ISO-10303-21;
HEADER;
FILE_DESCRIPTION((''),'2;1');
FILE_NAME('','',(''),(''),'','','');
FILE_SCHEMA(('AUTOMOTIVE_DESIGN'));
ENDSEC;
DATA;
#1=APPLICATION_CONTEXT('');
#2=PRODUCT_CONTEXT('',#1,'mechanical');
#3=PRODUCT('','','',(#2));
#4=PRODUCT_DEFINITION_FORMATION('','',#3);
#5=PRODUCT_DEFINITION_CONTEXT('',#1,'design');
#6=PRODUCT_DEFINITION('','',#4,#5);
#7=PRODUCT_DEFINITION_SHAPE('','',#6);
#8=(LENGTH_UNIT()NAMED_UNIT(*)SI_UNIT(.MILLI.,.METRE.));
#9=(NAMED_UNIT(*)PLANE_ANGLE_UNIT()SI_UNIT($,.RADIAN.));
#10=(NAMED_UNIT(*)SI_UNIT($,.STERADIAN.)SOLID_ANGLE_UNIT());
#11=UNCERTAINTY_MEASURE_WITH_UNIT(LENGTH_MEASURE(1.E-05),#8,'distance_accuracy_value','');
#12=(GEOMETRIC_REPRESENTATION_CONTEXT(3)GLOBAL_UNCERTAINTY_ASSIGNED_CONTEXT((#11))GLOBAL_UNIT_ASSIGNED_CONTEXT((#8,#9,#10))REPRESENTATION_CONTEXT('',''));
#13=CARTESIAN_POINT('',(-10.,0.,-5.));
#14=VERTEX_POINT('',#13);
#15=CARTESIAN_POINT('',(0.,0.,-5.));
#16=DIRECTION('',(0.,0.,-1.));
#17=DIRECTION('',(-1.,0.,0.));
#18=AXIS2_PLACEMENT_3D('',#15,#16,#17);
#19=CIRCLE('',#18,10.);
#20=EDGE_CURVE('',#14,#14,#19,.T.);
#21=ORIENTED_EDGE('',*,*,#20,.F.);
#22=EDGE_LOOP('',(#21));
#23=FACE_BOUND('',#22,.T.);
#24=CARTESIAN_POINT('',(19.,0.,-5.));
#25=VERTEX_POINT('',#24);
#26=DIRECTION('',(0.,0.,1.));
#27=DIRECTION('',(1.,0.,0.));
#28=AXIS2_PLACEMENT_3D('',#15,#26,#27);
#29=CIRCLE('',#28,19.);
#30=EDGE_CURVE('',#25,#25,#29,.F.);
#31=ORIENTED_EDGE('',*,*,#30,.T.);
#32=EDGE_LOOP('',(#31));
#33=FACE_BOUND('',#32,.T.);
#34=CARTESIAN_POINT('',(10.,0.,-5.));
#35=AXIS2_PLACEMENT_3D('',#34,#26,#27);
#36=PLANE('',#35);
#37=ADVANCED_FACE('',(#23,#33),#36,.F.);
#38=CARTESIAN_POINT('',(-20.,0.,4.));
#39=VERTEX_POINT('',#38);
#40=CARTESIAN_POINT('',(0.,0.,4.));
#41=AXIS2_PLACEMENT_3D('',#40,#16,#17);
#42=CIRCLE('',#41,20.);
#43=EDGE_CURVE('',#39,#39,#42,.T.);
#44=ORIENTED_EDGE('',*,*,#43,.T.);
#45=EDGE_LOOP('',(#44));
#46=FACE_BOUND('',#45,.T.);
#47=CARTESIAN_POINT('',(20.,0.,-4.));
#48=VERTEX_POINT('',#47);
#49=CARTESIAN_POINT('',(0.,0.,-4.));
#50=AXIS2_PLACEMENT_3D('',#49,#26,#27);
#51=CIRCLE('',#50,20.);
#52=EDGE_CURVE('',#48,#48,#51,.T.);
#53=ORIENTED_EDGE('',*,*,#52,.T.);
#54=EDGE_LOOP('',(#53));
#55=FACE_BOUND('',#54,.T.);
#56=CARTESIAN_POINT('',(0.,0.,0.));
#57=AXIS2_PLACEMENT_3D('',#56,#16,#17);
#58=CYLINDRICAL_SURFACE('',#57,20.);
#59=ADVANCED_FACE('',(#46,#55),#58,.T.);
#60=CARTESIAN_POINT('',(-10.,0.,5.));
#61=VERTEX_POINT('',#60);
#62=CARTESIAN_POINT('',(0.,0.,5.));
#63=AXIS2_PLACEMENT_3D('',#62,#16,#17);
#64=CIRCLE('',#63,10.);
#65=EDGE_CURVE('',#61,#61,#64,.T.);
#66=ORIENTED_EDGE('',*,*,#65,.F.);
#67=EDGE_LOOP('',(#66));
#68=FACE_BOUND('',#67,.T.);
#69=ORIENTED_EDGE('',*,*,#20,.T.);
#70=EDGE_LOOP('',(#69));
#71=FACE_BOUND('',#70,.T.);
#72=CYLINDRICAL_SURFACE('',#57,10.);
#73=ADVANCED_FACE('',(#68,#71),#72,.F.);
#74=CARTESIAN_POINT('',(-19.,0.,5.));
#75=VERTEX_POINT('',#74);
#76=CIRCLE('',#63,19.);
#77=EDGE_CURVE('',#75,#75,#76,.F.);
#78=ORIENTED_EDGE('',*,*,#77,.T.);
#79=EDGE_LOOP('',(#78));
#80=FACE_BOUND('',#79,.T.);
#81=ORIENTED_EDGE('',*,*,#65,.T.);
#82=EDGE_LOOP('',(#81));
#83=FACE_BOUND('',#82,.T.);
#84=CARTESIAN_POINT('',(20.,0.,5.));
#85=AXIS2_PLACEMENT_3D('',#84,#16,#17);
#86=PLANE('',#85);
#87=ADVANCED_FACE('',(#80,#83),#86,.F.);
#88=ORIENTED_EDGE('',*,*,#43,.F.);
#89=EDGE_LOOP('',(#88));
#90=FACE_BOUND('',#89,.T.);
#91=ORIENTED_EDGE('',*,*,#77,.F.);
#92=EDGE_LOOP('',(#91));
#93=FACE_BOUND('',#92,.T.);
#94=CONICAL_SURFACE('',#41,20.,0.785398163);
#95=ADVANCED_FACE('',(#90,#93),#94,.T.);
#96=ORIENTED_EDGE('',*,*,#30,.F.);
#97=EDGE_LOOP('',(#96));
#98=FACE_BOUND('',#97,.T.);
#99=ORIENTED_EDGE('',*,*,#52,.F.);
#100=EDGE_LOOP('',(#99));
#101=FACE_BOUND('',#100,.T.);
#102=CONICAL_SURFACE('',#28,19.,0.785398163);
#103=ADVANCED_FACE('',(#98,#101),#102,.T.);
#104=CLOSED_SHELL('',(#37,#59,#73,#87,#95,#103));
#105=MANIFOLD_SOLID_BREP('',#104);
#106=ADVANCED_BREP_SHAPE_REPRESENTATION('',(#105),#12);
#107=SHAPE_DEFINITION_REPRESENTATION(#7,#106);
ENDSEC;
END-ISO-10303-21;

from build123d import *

# Parameters (mm, degrees)
SKETCH_1_W     = 10
SKETCH_1_H     = 10
CHAMFER_1_SIZE = 1


with BuildPart() as part:
    # 草图1 → 旋转1 (revolve)
    with BuildSketch(Plane(origin=(0, 0, 0), x_dir=(1, 0, 0), z_dir=(0, 1, 0)), mode=Mode.PRIVATE) as revolve_1_sk:
        with Locations((15, 0)):
            Rectangle(SKETCH_1_W, SKETCH_1_H)
    revolve(revolve_1_sk.sketch.rotate(Axis((0, 0, 0), (0, 0, 1)), 180), axis=Axis((0, 0, 0), (0, 0, 1)))

    # 倒角1
    chamfer_1_edges = [part.edges().sort_by_distance(p)[0] for p in [
        (20, 0, 5),
        (20, 0, -5),
    ]]
    chamfer(chamfer_1_edges, length=CHAMFER_1_SIZE)


solid = part.part
